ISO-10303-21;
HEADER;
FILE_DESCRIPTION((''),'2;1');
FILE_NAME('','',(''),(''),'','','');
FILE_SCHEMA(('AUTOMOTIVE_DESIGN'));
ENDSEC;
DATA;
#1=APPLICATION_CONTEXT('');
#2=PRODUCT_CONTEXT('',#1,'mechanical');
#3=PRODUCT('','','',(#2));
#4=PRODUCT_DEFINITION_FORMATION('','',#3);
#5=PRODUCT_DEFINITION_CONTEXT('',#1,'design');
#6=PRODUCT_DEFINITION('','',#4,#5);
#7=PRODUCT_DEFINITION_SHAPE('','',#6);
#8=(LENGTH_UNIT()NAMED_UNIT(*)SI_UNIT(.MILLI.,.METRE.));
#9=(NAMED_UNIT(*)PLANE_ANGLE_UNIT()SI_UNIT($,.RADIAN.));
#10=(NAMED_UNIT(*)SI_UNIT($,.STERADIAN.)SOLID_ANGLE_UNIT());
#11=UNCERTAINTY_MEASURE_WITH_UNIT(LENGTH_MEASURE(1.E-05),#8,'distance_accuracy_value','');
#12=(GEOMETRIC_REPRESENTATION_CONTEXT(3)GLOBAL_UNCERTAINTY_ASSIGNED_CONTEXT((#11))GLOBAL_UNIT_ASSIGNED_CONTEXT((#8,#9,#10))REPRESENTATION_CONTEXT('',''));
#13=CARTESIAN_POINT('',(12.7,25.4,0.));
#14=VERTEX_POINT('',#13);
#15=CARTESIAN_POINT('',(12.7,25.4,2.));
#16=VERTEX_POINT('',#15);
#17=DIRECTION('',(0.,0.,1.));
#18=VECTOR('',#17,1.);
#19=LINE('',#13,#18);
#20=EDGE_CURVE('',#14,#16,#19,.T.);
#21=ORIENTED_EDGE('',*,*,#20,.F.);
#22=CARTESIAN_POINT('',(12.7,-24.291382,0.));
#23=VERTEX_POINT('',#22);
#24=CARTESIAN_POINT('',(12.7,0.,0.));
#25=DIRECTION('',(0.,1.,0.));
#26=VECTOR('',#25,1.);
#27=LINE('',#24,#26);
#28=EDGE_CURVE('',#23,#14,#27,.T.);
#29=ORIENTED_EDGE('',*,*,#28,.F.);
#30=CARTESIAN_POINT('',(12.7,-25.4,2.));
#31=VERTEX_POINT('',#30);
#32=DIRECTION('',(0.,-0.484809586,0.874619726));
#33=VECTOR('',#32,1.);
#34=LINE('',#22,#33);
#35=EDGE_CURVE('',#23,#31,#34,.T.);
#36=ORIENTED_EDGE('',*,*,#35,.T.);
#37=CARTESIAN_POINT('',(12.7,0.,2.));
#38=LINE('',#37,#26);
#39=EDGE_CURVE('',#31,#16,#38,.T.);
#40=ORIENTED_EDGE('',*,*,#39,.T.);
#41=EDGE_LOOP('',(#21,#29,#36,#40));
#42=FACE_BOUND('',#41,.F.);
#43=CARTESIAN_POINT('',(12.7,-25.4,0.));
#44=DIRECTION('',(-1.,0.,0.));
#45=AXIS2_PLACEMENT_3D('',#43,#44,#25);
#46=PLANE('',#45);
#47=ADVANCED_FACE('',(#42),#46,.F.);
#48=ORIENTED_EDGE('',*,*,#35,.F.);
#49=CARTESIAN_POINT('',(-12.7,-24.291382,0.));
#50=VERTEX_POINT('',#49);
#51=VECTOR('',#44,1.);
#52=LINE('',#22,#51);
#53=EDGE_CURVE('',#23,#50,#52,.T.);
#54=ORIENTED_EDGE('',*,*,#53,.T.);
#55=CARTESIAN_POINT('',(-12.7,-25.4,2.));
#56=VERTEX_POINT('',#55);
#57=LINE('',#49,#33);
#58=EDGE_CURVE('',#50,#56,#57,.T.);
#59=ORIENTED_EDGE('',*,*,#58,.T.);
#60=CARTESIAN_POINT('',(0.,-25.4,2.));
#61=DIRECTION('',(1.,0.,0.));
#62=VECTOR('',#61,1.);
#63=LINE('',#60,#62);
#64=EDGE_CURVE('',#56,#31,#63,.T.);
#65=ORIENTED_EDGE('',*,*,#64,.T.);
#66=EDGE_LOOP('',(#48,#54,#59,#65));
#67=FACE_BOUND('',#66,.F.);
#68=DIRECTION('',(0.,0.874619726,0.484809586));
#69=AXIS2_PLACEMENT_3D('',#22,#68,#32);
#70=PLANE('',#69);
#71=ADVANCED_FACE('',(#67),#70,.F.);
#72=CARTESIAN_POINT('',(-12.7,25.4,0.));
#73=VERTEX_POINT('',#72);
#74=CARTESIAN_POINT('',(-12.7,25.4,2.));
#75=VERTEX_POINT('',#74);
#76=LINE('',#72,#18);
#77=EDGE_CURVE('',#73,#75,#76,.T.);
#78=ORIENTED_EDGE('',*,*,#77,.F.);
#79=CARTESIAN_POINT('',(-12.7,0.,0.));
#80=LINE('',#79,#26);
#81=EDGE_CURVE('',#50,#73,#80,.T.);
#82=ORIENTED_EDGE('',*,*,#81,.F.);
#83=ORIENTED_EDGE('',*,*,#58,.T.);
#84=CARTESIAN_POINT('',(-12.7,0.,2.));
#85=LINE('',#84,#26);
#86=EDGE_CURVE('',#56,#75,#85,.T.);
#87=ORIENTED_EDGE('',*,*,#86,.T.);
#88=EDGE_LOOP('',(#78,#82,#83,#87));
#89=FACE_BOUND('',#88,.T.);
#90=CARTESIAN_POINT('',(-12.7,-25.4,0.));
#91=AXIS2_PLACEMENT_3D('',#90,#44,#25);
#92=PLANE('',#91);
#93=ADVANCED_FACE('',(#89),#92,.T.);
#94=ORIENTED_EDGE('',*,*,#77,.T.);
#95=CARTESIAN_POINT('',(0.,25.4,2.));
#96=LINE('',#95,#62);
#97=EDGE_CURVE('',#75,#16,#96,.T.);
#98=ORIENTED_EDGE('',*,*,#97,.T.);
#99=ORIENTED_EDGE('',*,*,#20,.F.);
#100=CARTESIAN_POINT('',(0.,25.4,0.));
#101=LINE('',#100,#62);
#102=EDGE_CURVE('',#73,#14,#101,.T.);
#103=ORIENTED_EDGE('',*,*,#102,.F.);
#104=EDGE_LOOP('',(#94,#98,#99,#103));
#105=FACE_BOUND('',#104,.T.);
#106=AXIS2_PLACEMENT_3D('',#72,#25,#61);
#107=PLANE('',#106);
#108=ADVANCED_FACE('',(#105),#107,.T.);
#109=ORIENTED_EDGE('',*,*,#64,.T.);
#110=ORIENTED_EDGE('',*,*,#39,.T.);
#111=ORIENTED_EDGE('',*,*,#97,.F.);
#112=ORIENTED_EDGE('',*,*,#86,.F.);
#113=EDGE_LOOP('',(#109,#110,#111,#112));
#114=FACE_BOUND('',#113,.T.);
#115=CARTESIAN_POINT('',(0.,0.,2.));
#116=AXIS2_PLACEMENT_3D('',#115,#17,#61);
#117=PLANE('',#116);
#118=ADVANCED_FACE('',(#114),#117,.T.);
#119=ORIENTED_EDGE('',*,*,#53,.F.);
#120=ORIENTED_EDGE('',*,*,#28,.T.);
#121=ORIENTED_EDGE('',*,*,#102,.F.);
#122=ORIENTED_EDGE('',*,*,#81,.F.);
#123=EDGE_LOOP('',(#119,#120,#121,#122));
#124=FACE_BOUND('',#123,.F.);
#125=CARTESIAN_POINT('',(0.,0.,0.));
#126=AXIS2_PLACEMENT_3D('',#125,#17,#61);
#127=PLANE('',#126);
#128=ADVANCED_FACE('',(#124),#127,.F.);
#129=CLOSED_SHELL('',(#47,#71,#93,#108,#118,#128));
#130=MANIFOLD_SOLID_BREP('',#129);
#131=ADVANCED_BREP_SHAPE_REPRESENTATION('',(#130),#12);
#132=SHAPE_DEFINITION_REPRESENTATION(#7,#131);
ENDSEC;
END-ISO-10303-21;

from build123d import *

# Parameters (mm, degrees)
F0_W     = 25.4
F0_H     = 50.8
F1_DEPTH = 2
F3_DEPTH = 25.4


with BuildPart() as f1:
    # F0 (on Top) → F1 (new body)
    with BuildSketch(Plane.XY):
        Rectangle(F0_W, F0_H)
    extrude(amount=F1_DEPTH)

    # F2 (on face) → F3 (cut)
    with BuildSketch(Plane.YZ.offset(12.7)):
        Polygon((-24.291382, 0), (-25.4, 2), (-25.4, 0), align=None)
    extrude(amount=-F3_DEPTH, mode=Mode.SUBTRACT)


solid = f1.part
